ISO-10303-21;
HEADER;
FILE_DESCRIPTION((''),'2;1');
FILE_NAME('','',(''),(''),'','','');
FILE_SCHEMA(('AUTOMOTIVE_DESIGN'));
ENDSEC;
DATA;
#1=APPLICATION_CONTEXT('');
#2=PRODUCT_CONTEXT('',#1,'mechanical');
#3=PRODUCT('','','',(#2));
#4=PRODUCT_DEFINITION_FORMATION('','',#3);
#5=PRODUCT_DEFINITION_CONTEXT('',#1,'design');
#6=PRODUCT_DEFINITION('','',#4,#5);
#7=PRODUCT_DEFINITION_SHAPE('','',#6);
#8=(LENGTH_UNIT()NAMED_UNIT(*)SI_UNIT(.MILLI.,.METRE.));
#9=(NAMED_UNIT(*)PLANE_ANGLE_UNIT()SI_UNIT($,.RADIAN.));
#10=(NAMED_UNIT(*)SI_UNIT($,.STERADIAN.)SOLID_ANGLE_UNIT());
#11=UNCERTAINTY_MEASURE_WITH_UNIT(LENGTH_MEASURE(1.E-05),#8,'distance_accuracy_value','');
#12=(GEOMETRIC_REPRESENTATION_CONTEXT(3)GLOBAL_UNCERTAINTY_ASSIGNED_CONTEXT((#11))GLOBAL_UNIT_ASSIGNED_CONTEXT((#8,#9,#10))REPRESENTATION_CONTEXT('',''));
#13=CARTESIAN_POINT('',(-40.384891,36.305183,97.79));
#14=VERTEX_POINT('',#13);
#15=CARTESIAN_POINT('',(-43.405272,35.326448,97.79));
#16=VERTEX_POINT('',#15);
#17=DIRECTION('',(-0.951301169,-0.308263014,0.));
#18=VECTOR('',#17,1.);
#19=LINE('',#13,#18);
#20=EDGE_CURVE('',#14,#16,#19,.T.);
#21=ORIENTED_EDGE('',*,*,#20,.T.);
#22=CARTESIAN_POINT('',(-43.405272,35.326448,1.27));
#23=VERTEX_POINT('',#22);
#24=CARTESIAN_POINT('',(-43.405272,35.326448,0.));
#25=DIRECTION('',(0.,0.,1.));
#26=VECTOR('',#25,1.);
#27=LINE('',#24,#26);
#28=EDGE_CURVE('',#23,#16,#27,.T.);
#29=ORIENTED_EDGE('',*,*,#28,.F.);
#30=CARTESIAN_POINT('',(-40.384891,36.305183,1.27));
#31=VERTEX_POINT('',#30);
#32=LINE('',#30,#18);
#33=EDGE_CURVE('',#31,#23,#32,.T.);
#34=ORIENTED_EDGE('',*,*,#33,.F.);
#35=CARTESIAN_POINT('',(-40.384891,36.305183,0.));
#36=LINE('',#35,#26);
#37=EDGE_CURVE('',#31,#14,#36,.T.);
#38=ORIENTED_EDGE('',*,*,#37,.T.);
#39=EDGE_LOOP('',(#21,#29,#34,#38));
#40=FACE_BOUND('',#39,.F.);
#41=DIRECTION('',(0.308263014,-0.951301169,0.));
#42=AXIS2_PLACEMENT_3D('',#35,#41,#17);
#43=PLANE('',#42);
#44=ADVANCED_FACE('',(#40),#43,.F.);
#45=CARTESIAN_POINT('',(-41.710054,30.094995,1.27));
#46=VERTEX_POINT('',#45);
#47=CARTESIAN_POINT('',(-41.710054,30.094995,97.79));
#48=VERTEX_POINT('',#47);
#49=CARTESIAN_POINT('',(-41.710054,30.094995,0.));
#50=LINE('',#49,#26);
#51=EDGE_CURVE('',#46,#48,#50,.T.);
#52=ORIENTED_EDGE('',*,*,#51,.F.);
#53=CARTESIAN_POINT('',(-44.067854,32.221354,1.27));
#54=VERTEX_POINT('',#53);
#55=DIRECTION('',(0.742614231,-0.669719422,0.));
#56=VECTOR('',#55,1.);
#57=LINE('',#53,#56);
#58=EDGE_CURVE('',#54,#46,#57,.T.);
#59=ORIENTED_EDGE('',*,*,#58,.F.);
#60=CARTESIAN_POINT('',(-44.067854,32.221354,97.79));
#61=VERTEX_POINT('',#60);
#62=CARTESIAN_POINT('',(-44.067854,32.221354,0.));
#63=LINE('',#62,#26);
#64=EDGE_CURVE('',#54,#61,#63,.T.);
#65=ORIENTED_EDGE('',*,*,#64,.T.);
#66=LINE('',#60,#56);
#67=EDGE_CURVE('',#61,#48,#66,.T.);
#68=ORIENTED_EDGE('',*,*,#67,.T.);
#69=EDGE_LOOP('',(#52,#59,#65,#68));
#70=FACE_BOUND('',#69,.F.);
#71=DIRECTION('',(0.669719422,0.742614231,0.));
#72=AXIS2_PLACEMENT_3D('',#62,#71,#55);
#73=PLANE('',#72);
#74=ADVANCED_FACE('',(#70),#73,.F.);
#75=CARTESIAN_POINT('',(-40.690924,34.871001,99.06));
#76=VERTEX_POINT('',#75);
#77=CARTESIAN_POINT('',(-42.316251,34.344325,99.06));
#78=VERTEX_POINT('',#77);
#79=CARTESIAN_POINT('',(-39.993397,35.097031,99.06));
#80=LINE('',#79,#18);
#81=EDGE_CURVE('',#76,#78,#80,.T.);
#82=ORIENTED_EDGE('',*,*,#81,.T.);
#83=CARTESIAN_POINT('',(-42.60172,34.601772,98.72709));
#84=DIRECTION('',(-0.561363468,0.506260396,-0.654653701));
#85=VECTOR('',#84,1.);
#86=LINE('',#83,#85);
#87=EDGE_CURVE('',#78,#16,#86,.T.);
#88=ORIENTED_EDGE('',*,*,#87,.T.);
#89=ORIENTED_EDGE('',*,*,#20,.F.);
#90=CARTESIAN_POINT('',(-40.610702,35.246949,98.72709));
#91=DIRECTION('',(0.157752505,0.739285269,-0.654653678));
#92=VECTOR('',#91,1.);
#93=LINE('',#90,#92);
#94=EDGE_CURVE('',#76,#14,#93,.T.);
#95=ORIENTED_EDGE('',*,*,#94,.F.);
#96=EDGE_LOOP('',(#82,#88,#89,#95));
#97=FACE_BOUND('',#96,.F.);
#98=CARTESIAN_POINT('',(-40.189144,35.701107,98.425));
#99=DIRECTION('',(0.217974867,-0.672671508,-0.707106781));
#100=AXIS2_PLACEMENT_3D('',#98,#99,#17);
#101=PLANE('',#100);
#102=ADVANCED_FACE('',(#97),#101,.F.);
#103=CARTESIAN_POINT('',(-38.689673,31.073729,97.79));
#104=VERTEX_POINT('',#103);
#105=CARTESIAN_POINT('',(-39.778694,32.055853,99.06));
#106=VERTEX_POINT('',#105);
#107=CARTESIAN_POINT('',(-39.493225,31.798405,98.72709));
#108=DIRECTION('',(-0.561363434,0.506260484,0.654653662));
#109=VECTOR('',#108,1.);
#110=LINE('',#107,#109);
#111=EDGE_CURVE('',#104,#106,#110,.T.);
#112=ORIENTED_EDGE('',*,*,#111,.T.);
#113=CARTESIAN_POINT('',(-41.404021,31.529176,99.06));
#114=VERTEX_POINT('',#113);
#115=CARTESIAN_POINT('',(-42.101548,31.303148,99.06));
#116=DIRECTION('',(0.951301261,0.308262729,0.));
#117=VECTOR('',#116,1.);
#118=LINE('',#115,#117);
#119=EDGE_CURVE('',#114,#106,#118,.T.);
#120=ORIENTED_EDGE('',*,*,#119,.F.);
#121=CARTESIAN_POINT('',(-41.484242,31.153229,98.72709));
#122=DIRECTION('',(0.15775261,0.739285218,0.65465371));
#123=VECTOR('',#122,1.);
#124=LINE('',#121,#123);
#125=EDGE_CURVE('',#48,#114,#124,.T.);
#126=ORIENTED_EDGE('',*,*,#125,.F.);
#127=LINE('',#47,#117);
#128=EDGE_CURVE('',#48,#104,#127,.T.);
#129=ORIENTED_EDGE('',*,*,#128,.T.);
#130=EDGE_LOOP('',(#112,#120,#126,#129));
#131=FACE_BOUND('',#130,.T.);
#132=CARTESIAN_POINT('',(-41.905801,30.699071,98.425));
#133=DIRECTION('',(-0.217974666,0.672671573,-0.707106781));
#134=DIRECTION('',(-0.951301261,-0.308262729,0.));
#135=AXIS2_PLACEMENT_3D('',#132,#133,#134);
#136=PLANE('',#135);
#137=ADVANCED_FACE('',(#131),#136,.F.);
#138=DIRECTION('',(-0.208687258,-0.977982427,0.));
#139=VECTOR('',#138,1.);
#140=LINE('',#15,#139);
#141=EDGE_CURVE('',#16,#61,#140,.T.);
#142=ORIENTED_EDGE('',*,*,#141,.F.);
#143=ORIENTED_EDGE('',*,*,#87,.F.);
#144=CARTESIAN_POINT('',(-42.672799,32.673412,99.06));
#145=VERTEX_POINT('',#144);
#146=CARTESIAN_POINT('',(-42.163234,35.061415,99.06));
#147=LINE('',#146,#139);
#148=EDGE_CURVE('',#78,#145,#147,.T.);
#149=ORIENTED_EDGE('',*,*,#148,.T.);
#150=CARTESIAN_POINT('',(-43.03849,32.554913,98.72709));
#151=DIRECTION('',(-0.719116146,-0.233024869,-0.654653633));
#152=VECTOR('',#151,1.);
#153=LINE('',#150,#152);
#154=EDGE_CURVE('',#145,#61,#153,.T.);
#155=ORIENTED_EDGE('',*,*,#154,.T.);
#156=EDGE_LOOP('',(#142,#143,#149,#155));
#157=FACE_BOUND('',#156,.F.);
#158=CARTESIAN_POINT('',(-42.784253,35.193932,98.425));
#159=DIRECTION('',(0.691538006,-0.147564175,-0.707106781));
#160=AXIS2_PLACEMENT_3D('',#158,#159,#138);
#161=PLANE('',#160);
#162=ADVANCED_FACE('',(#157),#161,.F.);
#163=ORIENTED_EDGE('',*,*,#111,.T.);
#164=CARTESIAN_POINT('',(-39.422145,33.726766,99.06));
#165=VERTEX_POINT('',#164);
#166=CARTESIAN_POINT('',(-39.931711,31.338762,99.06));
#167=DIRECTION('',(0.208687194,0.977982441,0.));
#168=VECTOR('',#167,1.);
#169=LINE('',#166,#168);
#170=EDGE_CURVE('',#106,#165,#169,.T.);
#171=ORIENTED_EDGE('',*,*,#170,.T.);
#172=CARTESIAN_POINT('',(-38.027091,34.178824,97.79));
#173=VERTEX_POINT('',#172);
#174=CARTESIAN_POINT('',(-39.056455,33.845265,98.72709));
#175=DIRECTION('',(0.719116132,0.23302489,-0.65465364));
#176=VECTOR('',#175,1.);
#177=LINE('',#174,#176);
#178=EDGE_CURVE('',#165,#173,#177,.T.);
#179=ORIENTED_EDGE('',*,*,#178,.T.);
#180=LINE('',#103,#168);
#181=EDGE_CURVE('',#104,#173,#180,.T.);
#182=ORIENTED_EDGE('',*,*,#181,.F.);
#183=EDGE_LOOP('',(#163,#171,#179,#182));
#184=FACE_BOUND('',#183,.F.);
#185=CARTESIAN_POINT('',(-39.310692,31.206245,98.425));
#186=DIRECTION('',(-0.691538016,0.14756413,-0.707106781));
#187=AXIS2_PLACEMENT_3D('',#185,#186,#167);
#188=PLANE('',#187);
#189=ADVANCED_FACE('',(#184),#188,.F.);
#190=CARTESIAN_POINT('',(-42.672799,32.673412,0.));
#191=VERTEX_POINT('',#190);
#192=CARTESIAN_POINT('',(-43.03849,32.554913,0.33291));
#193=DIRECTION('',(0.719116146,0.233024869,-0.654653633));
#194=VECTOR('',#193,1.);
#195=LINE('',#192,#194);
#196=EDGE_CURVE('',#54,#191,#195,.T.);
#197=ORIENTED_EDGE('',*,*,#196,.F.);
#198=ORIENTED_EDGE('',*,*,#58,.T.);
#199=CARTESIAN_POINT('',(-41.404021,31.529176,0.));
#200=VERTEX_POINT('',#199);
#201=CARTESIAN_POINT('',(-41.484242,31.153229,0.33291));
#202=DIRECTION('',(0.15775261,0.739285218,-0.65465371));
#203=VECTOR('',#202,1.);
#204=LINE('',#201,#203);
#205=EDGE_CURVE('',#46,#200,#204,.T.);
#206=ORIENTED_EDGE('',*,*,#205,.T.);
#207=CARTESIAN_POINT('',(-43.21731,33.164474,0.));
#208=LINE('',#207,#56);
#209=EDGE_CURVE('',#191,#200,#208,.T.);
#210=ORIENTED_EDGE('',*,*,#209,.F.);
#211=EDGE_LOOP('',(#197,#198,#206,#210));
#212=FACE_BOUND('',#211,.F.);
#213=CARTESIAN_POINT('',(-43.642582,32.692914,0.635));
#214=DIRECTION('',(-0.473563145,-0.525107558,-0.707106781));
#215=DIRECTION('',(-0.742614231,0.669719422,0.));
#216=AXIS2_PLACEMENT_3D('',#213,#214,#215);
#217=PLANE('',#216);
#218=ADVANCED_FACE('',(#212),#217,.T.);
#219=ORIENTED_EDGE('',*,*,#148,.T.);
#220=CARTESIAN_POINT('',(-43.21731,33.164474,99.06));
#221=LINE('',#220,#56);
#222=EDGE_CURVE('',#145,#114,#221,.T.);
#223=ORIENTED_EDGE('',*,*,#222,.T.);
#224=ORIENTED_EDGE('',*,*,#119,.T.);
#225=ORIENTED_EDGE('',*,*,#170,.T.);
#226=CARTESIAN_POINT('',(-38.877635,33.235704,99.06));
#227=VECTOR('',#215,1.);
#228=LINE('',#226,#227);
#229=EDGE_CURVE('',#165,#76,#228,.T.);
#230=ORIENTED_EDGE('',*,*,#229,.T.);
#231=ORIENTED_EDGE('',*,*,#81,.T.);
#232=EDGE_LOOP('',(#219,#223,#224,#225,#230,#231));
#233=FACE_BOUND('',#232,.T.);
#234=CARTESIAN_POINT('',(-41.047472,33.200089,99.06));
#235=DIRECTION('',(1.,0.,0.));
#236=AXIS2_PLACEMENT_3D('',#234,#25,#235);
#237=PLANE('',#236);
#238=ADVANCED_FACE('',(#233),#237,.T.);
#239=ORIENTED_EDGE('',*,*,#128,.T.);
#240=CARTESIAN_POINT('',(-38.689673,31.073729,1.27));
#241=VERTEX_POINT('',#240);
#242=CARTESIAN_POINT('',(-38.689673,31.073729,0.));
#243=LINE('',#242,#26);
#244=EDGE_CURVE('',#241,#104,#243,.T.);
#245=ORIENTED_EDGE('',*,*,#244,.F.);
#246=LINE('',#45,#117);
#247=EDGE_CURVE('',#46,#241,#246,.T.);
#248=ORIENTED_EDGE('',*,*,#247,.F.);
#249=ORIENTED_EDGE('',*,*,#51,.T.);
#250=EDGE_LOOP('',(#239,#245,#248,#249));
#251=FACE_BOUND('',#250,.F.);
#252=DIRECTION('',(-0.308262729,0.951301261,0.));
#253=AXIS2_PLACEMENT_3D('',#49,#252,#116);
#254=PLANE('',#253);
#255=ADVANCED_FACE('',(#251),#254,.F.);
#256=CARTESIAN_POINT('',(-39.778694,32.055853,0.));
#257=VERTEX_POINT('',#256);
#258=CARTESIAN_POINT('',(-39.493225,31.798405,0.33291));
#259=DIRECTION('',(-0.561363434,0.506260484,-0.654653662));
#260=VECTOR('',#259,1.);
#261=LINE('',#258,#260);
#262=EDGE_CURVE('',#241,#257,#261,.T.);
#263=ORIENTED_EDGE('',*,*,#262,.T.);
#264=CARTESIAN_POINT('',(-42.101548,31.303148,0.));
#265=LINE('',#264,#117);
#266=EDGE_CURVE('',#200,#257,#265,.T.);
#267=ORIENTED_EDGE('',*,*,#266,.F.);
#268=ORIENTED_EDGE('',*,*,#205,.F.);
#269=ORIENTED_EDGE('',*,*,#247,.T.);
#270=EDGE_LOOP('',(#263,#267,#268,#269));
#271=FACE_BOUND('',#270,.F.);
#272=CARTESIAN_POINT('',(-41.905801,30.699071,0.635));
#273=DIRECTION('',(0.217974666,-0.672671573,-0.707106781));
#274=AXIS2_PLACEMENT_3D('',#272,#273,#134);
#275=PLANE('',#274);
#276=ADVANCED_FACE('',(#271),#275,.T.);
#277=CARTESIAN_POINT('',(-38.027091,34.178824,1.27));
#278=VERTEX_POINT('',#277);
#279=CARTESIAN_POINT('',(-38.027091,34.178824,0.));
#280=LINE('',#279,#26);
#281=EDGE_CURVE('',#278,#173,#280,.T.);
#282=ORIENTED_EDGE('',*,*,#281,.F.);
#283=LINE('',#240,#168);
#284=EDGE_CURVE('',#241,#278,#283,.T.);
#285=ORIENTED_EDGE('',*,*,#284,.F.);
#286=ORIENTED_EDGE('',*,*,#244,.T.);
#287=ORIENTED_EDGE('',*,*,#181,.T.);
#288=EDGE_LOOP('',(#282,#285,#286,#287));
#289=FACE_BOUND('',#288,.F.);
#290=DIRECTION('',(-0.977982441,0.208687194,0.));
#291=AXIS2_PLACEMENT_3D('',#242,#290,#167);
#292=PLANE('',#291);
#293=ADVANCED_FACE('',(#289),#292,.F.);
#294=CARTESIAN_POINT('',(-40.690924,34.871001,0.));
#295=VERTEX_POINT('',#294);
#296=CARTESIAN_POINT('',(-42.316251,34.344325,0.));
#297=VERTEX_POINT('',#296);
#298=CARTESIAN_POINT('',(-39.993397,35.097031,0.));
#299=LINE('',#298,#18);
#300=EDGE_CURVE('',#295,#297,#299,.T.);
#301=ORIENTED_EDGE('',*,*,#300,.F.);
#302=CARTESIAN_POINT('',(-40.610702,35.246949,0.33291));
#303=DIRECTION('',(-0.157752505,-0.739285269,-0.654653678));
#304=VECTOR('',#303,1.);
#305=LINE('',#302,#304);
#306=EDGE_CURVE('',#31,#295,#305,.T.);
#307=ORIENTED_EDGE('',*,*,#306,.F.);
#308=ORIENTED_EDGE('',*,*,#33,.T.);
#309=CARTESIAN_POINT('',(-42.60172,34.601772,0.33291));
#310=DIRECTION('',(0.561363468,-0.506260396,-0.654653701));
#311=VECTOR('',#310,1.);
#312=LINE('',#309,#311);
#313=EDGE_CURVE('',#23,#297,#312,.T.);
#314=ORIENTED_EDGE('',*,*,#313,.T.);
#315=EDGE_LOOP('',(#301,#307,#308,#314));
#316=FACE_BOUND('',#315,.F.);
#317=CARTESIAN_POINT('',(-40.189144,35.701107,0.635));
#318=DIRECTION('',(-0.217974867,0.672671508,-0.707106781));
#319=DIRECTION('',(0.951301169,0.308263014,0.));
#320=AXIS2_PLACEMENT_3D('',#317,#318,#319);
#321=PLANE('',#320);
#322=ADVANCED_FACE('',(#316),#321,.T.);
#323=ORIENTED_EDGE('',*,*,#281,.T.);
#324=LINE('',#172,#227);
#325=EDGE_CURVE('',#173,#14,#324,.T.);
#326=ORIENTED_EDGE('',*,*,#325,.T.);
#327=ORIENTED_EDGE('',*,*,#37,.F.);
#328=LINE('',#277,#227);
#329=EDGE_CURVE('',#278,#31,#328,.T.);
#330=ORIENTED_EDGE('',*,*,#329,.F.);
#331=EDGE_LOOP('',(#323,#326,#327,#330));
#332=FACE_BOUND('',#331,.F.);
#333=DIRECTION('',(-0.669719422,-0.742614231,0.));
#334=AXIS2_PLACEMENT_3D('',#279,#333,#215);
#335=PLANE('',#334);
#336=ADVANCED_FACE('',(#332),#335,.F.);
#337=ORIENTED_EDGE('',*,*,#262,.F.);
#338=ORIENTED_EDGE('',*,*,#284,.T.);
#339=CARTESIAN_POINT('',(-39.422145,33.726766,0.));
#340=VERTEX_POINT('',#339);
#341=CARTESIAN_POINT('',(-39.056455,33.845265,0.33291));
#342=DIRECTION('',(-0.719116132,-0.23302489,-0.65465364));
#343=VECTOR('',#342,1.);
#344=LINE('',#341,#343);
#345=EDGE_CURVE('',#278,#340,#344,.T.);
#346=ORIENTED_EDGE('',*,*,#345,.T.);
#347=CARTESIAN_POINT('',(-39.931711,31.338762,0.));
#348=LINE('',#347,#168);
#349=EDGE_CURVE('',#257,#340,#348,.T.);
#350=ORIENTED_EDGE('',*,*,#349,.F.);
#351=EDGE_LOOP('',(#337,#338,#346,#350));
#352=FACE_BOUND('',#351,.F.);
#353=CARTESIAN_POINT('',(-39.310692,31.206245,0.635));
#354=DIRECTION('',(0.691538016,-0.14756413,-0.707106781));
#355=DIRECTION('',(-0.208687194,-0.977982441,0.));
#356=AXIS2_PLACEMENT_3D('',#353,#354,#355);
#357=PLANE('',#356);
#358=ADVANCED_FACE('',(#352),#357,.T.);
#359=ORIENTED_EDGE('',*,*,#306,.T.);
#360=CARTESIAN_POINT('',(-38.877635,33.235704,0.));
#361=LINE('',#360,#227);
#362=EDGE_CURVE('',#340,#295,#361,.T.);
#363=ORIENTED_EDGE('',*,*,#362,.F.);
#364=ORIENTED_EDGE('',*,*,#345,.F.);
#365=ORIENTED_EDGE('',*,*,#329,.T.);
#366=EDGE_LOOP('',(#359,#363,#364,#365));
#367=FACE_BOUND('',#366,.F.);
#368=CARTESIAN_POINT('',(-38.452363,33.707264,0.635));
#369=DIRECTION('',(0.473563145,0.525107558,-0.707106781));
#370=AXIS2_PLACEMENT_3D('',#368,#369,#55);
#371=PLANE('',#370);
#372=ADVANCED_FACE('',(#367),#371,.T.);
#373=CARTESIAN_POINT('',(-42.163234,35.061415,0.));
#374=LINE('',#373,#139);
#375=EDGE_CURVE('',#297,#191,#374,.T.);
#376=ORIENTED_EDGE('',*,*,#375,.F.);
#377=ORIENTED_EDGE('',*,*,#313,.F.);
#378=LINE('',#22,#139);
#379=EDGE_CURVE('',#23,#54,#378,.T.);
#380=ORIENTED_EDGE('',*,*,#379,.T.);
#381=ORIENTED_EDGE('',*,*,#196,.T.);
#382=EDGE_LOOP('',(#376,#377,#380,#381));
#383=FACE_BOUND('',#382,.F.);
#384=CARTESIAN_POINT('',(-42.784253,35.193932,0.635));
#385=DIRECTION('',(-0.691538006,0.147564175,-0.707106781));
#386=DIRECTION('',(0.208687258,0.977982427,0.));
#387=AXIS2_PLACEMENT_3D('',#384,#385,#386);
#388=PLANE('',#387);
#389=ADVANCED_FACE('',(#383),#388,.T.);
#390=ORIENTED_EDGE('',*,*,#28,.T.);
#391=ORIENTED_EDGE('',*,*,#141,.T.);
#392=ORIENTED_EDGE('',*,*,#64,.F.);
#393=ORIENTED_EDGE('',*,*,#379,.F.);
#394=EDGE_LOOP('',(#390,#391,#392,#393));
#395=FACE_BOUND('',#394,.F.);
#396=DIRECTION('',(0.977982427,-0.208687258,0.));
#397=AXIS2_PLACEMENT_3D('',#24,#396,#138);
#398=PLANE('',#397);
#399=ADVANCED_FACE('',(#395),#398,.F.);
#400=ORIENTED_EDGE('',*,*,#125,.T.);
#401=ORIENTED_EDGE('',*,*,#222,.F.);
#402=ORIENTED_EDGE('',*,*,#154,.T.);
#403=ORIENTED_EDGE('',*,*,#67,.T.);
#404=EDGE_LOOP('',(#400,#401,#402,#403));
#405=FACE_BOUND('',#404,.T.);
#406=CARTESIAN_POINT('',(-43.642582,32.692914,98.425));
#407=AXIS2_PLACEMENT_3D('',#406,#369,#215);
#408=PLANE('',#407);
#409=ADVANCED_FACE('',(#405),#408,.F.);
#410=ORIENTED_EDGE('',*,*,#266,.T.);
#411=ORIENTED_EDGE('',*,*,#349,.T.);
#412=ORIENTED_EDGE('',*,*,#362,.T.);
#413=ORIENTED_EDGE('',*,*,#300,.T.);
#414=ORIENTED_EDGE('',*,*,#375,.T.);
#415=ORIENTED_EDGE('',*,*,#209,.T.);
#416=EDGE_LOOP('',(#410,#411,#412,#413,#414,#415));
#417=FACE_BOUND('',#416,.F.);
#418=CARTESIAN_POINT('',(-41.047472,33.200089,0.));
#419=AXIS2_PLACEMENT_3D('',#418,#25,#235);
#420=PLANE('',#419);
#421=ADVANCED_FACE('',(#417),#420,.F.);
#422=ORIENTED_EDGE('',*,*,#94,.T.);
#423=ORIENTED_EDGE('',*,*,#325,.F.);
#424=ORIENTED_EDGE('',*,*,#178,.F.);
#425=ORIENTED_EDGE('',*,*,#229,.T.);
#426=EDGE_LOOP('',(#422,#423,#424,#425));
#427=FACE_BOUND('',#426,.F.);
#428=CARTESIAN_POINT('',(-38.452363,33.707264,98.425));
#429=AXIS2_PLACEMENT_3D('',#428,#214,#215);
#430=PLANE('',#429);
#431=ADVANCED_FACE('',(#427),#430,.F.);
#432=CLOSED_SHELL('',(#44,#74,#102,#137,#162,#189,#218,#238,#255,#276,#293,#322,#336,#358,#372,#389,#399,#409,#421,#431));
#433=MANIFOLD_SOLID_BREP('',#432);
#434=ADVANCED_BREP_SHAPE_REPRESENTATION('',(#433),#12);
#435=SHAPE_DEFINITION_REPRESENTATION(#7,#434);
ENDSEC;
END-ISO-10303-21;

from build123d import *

# Parameters (mm, degrees)
F1_DEPTH = 99.06
F2_SIZE  = 1.27
F3_SIZE  = 1.27


with BuildPart() as f1:
    # F0 (on Top) → F1 (new body)
    with BuildSketch(Plane.XY):
        Polygon((-41.710054, 30.094995), (-38.689673, 31.073729), (-38.027091, 34.178824), (-40.384891, 36.305183), (-43.405272, 35.326448), (-44.067854, 32.221354), align=None)
    extrude(amount=F1_DEPTH)

    # F2
    f2_edges = [f1.edges().sort_by_distance(p)[0] for p in [
        (-40.199863, 30.584362, 0),
        (-38.358382, 32.626277, 0),
        (-39.205991, 35.242004, 0),
        (-41.895082, 35.815816, 0),
        (-43.736563, 33.773901, 0),
        (-42.888954, 31.158174, 0),
    ]]
    chamfer(f2_edges, length=F2_SIZE)

    # F3
    f3_edges = [f1.edges().sort_by_distance(p)[0] for p in [
        (-40.199863, 30.584362, 99.06),
        (-38.358382, 32.626277, 99.06),
        (-39.205991, 35.242004, 99.06),
        (-41.895082, 35.815816, 99.06),
        (-43.736563, 33.773901, 99.06),
        (-42.888954, 31.158174, 99.06),
    ]]
    chamfer(f3_edges, length=F3_SIZE)


solid = f1.part
